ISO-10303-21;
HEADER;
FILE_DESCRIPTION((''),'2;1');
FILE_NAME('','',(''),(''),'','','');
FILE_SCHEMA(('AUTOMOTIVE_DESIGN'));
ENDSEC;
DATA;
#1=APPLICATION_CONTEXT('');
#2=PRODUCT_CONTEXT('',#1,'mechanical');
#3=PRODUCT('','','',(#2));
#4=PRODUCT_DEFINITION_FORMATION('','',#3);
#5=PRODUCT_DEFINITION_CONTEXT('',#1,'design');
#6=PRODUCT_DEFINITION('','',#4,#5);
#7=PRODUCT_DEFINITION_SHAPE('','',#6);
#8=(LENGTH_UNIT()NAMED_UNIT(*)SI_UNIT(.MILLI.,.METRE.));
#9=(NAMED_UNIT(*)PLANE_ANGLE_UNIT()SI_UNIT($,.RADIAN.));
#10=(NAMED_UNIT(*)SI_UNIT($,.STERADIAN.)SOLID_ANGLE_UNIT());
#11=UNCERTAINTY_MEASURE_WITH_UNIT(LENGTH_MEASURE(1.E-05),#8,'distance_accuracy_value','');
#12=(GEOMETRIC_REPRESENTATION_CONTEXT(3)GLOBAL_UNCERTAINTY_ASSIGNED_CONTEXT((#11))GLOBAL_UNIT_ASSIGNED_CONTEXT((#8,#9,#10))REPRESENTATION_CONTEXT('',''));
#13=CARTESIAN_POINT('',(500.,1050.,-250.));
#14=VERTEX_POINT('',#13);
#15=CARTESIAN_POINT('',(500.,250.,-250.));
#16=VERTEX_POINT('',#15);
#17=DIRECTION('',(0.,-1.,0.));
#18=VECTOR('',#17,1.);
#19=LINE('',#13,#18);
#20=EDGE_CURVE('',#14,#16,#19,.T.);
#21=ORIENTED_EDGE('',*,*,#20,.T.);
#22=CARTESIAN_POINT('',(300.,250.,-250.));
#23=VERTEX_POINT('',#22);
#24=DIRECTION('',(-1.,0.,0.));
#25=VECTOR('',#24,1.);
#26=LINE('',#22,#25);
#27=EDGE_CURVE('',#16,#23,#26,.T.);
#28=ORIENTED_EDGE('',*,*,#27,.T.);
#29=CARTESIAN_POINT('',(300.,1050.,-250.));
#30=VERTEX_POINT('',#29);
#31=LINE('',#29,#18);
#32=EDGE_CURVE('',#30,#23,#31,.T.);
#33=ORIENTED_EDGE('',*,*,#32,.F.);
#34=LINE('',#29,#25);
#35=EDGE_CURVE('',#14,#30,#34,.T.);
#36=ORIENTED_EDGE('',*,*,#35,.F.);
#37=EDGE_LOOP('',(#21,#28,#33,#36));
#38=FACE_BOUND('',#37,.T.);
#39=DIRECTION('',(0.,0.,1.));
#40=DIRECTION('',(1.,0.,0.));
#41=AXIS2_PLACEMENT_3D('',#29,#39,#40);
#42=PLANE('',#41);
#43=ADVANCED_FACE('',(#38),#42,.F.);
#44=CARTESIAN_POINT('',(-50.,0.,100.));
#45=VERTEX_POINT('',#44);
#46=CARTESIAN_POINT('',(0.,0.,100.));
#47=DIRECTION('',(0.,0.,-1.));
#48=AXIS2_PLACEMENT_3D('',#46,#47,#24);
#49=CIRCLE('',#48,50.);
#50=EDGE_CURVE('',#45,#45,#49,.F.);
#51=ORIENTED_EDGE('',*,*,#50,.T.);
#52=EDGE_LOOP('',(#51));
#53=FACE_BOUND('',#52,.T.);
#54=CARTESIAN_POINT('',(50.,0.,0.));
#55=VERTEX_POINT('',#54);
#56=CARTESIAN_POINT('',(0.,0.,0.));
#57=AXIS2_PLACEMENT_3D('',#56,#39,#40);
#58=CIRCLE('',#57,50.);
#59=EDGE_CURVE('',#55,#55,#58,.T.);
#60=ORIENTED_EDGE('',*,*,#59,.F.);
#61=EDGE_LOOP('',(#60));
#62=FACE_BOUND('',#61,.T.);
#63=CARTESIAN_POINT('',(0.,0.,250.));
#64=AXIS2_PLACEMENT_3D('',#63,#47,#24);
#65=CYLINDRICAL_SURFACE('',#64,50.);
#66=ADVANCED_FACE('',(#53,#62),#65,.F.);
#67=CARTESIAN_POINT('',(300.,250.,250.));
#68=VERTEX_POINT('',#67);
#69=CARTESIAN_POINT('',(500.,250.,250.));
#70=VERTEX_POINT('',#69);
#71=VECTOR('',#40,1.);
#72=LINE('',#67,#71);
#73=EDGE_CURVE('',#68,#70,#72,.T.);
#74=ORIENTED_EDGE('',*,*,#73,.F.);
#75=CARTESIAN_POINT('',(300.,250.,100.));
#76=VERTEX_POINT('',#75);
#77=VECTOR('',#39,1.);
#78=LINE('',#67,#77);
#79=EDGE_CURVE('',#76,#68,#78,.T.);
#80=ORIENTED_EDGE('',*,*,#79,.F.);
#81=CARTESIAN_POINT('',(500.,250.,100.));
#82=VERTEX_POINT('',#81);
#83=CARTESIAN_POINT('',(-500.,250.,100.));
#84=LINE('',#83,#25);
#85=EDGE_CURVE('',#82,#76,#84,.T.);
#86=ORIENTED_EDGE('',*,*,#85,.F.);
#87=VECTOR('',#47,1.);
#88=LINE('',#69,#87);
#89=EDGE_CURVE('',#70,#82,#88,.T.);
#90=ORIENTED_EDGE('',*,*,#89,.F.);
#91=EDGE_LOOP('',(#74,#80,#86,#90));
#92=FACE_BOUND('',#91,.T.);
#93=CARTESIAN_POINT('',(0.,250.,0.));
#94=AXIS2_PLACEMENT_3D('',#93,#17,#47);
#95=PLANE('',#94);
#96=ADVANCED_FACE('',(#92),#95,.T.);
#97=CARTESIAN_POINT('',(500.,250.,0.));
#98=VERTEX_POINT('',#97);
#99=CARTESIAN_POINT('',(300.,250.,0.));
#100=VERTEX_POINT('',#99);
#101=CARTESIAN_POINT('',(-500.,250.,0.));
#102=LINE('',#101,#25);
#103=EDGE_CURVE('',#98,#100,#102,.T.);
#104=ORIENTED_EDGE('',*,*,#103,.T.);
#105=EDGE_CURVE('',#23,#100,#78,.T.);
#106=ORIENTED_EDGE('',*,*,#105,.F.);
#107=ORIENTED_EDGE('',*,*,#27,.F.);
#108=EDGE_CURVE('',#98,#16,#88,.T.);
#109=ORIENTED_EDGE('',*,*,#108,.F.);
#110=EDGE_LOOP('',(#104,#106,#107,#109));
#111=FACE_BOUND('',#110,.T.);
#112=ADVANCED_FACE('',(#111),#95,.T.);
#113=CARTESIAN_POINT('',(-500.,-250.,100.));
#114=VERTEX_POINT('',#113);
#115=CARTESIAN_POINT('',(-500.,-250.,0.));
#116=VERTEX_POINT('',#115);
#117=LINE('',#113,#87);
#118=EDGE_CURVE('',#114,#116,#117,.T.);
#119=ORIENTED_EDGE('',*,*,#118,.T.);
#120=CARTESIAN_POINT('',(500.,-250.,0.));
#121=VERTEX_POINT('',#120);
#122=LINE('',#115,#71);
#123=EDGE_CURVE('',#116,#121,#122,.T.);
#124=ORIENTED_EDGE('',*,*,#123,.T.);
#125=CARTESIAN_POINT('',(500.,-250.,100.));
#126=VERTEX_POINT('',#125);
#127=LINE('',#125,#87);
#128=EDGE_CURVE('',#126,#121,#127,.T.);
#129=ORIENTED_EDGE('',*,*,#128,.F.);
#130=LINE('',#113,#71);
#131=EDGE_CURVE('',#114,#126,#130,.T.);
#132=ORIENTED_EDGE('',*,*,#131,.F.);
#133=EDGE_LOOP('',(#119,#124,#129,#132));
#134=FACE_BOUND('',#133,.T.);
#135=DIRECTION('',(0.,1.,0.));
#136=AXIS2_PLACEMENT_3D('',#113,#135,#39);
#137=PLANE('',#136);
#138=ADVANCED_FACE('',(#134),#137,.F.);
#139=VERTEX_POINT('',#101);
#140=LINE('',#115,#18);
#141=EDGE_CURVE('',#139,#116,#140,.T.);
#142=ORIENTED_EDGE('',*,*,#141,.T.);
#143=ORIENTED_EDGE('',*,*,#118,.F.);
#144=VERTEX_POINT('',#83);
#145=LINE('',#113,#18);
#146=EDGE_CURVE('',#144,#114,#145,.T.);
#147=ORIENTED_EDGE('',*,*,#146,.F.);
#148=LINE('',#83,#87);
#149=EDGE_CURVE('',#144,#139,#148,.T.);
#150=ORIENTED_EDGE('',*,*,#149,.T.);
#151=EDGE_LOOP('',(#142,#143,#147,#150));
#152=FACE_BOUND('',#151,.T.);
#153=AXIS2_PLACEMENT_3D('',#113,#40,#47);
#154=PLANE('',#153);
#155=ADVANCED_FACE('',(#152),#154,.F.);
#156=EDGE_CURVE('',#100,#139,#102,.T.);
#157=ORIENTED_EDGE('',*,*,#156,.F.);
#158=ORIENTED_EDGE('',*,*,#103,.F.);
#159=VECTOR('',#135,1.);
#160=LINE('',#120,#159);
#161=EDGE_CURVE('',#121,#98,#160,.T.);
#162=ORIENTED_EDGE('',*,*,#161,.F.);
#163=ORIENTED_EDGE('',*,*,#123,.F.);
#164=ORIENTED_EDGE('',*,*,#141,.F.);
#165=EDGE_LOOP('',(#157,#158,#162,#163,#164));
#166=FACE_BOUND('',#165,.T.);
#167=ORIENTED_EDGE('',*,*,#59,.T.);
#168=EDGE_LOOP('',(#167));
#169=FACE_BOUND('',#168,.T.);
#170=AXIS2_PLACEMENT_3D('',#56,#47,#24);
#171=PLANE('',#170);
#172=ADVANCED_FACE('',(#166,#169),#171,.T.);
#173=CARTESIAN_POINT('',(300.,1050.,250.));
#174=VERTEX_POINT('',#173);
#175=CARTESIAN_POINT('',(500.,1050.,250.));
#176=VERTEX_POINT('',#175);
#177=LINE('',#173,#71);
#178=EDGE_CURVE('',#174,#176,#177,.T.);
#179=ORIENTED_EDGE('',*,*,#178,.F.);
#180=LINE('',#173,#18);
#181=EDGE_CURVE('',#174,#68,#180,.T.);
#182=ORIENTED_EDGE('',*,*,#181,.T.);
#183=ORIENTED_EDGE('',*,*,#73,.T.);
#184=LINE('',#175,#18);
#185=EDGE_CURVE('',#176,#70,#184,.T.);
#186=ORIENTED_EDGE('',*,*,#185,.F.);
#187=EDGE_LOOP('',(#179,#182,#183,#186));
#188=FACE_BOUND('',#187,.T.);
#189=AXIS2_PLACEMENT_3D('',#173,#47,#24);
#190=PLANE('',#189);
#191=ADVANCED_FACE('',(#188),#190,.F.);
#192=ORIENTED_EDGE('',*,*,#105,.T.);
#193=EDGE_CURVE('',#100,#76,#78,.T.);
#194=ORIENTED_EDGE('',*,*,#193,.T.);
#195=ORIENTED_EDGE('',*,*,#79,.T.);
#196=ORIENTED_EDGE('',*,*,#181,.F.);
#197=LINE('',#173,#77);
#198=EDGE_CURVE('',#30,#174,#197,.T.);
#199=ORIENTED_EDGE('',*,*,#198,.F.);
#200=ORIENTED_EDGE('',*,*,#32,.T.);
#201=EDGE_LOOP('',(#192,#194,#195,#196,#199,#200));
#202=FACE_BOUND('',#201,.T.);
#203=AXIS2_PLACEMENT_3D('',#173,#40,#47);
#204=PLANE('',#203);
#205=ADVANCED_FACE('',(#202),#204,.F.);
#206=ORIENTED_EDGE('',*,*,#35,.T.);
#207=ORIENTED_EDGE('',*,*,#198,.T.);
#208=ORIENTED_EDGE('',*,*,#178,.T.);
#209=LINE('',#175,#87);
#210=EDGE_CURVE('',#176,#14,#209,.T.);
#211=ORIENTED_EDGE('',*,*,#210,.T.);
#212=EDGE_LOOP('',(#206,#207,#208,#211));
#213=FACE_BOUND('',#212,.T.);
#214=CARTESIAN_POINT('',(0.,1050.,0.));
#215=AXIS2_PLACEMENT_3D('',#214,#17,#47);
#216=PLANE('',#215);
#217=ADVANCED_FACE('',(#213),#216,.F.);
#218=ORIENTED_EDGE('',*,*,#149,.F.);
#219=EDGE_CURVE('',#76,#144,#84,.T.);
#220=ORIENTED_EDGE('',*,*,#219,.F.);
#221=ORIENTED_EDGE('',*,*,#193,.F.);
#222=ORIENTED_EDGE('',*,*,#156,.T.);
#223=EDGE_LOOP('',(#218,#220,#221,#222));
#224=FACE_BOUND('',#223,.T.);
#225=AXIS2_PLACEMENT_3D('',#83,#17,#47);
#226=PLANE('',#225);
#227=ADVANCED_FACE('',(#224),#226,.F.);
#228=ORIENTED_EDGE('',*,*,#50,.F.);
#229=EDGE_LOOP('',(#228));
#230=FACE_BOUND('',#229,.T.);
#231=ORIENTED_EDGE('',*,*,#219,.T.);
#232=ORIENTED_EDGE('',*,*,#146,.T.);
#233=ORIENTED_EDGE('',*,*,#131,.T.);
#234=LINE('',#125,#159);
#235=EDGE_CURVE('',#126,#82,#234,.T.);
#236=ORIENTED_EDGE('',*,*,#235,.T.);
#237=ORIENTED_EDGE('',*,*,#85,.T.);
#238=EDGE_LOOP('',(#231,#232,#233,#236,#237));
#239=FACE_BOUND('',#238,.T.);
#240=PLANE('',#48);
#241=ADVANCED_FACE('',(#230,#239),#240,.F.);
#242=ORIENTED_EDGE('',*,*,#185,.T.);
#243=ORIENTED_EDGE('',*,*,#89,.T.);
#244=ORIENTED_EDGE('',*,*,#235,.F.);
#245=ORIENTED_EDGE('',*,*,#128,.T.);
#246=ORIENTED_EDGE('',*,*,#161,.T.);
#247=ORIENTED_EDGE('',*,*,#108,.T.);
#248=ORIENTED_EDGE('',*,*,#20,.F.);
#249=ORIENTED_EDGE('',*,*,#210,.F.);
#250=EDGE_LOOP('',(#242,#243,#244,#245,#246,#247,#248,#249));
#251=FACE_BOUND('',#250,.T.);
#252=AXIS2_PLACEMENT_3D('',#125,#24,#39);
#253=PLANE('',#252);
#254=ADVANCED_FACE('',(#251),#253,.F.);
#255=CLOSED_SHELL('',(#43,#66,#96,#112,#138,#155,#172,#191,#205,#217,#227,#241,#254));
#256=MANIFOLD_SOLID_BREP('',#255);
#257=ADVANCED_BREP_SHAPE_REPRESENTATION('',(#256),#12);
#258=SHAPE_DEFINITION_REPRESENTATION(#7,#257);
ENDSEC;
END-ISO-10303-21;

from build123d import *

# Parameters (mm, degrees)
SKETCH_1_W          = 1000
SKETCH_1_H          = 500
EXTRUDE_1_DEPTH     = 100
SKETCH_2_W          = 200
SKETCH_2_H          = 500
EXTRUDE_2_DEPTH     = 800
SKETCH_3_R          = 50
CUT_EXTRUDE_1_DEPTH = 1190.537725337


with BuildPart() as part:
    # 草图1 → 凸台-拉伸1 (new body)
    with BuildSketch(Plane.XY):
        Rectangle(SKETCH_1_W, SKETCH_1_H)
    extrude(amount=EXTRUDE_1_DEPTH)

    # 草图2 → 凸台-拉伸2 (add)
    with BuildSketch(Plane(origin=(0, 250, 0), x_dir=(1, 0, 0), z_dir=(0, 1, 0))):
        with Locations((400, 0)):
            Rectangle(SKETCH_2_W, SKETCH_2_H)
    extrude(amount=EXTRUDE_2_DEPTH)

    # 草图3 → 切除-拉伸1 (cut, through all)
    with BuildSketch(Plane.XY):
        with Locations(Location((0, 0, 0), (0, 0, 180))):
            Circle(SKETCH_3_R)
    extrude(amount=CUT_EXTRUDE_1_DEPTH, mode=Mode.SUBTRACT)


solid = part.part
